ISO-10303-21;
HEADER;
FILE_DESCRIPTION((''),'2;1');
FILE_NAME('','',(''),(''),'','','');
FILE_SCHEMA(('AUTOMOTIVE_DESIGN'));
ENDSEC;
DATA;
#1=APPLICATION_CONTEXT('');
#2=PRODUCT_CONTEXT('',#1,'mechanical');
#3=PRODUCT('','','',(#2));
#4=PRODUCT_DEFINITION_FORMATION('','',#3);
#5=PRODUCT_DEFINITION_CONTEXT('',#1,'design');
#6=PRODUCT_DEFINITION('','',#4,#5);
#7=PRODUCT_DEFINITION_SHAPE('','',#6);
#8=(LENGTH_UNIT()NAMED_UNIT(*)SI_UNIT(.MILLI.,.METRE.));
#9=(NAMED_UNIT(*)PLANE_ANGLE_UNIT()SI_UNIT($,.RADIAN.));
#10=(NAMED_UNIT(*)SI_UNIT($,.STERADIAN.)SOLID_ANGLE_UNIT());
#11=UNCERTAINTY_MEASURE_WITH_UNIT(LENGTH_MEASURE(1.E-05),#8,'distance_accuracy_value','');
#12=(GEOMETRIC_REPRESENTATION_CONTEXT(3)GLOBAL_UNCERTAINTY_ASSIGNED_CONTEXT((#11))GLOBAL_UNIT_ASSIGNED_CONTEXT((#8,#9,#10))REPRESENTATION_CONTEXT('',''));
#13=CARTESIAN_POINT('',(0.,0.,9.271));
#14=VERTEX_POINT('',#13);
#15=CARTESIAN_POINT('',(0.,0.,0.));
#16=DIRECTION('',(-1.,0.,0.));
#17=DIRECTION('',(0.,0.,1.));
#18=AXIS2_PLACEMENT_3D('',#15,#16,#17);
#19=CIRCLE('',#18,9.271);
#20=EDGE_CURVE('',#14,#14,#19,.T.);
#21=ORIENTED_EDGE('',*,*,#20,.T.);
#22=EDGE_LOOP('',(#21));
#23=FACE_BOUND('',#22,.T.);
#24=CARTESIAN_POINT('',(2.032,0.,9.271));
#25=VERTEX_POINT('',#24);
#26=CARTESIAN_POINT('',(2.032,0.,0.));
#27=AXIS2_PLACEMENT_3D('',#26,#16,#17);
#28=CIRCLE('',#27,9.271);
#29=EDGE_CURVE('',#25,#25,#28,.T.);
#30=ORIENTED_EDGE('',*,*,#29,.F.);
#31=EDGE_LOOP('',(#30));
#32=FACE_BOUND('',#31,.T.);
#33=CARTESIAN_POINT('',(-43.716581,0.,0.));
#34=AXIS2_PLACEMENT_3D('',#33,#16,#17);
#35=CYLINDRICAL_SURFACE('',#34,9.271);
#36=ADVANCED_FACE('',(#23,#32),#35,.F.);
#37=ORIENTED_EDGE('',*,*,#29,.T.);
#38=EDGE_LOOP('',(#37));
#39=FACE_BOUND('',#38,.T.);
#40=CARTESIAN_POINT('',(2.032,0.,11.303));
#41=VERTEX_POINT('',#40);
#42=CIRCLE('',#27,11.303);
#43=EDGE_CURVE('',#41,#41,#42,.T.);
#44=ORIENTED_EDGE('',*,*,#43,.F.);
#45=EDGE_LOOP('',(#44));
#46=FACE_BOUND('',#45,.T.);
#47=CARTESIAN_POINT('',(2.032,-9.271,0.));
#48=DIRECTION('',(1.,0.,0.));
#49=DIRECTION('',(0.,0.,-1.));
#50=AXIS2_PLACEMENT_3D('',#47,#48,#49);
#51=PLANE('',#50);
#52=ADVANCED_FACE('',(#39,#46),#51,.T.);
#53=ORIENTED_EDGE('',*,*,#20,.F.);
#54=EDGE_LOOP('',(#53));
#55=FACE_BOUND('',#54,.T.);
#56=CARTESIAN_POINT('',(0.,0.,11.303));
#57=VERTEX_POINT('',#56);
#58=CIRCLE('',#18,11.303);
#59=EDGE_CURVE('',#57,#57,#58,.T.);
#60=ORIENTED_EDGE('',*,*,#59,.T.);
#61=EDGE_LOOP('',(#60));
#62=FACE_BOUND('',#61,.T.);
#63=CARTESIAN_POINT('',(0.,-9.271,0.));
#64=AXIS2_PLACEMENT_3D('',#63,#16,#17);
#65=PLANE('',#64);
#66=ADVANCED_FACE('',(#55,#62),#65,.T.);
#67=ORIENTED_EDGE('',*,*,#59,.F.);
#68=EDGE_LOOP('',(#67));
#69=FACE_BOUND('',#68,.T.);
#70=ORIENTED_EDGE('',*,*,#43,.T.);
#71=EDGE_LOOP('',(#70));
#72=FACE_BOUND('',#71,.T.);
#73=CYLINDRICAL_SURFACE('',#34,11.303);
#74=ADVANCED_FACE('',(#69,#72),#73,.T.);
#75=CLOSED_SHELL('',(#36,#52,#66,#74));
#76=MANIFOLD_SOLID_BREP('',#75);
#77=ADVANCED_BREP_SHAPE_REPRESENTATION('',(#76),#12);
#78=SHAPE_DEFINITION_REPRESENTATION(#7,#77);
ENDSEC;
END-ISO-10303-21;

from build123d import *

# Parameters (mm, degrees)
SKETCH1_W = 2.032
SKETCH1_H = 2.032


with BuildPart() as part:
    # Sketch1 → Revolve1 (revolve)
    with BuildSketch(Plane.XY, mode=Mode.PRIVATE) as revolve1_sk:
        with Locations((1.016, -10.287)):
            Rectangle(SKETCH1_W, SKETCH1_H)
    revolve(revolve1_sk.sketch.rotate(Axis((-43.716580756, 0, 0), (1, 0, 0)), 270), axis=Axis((-43.716580756, 0, 0), (1, 0, 0)))  # turned: the seam where the file's is


solid = part.part
